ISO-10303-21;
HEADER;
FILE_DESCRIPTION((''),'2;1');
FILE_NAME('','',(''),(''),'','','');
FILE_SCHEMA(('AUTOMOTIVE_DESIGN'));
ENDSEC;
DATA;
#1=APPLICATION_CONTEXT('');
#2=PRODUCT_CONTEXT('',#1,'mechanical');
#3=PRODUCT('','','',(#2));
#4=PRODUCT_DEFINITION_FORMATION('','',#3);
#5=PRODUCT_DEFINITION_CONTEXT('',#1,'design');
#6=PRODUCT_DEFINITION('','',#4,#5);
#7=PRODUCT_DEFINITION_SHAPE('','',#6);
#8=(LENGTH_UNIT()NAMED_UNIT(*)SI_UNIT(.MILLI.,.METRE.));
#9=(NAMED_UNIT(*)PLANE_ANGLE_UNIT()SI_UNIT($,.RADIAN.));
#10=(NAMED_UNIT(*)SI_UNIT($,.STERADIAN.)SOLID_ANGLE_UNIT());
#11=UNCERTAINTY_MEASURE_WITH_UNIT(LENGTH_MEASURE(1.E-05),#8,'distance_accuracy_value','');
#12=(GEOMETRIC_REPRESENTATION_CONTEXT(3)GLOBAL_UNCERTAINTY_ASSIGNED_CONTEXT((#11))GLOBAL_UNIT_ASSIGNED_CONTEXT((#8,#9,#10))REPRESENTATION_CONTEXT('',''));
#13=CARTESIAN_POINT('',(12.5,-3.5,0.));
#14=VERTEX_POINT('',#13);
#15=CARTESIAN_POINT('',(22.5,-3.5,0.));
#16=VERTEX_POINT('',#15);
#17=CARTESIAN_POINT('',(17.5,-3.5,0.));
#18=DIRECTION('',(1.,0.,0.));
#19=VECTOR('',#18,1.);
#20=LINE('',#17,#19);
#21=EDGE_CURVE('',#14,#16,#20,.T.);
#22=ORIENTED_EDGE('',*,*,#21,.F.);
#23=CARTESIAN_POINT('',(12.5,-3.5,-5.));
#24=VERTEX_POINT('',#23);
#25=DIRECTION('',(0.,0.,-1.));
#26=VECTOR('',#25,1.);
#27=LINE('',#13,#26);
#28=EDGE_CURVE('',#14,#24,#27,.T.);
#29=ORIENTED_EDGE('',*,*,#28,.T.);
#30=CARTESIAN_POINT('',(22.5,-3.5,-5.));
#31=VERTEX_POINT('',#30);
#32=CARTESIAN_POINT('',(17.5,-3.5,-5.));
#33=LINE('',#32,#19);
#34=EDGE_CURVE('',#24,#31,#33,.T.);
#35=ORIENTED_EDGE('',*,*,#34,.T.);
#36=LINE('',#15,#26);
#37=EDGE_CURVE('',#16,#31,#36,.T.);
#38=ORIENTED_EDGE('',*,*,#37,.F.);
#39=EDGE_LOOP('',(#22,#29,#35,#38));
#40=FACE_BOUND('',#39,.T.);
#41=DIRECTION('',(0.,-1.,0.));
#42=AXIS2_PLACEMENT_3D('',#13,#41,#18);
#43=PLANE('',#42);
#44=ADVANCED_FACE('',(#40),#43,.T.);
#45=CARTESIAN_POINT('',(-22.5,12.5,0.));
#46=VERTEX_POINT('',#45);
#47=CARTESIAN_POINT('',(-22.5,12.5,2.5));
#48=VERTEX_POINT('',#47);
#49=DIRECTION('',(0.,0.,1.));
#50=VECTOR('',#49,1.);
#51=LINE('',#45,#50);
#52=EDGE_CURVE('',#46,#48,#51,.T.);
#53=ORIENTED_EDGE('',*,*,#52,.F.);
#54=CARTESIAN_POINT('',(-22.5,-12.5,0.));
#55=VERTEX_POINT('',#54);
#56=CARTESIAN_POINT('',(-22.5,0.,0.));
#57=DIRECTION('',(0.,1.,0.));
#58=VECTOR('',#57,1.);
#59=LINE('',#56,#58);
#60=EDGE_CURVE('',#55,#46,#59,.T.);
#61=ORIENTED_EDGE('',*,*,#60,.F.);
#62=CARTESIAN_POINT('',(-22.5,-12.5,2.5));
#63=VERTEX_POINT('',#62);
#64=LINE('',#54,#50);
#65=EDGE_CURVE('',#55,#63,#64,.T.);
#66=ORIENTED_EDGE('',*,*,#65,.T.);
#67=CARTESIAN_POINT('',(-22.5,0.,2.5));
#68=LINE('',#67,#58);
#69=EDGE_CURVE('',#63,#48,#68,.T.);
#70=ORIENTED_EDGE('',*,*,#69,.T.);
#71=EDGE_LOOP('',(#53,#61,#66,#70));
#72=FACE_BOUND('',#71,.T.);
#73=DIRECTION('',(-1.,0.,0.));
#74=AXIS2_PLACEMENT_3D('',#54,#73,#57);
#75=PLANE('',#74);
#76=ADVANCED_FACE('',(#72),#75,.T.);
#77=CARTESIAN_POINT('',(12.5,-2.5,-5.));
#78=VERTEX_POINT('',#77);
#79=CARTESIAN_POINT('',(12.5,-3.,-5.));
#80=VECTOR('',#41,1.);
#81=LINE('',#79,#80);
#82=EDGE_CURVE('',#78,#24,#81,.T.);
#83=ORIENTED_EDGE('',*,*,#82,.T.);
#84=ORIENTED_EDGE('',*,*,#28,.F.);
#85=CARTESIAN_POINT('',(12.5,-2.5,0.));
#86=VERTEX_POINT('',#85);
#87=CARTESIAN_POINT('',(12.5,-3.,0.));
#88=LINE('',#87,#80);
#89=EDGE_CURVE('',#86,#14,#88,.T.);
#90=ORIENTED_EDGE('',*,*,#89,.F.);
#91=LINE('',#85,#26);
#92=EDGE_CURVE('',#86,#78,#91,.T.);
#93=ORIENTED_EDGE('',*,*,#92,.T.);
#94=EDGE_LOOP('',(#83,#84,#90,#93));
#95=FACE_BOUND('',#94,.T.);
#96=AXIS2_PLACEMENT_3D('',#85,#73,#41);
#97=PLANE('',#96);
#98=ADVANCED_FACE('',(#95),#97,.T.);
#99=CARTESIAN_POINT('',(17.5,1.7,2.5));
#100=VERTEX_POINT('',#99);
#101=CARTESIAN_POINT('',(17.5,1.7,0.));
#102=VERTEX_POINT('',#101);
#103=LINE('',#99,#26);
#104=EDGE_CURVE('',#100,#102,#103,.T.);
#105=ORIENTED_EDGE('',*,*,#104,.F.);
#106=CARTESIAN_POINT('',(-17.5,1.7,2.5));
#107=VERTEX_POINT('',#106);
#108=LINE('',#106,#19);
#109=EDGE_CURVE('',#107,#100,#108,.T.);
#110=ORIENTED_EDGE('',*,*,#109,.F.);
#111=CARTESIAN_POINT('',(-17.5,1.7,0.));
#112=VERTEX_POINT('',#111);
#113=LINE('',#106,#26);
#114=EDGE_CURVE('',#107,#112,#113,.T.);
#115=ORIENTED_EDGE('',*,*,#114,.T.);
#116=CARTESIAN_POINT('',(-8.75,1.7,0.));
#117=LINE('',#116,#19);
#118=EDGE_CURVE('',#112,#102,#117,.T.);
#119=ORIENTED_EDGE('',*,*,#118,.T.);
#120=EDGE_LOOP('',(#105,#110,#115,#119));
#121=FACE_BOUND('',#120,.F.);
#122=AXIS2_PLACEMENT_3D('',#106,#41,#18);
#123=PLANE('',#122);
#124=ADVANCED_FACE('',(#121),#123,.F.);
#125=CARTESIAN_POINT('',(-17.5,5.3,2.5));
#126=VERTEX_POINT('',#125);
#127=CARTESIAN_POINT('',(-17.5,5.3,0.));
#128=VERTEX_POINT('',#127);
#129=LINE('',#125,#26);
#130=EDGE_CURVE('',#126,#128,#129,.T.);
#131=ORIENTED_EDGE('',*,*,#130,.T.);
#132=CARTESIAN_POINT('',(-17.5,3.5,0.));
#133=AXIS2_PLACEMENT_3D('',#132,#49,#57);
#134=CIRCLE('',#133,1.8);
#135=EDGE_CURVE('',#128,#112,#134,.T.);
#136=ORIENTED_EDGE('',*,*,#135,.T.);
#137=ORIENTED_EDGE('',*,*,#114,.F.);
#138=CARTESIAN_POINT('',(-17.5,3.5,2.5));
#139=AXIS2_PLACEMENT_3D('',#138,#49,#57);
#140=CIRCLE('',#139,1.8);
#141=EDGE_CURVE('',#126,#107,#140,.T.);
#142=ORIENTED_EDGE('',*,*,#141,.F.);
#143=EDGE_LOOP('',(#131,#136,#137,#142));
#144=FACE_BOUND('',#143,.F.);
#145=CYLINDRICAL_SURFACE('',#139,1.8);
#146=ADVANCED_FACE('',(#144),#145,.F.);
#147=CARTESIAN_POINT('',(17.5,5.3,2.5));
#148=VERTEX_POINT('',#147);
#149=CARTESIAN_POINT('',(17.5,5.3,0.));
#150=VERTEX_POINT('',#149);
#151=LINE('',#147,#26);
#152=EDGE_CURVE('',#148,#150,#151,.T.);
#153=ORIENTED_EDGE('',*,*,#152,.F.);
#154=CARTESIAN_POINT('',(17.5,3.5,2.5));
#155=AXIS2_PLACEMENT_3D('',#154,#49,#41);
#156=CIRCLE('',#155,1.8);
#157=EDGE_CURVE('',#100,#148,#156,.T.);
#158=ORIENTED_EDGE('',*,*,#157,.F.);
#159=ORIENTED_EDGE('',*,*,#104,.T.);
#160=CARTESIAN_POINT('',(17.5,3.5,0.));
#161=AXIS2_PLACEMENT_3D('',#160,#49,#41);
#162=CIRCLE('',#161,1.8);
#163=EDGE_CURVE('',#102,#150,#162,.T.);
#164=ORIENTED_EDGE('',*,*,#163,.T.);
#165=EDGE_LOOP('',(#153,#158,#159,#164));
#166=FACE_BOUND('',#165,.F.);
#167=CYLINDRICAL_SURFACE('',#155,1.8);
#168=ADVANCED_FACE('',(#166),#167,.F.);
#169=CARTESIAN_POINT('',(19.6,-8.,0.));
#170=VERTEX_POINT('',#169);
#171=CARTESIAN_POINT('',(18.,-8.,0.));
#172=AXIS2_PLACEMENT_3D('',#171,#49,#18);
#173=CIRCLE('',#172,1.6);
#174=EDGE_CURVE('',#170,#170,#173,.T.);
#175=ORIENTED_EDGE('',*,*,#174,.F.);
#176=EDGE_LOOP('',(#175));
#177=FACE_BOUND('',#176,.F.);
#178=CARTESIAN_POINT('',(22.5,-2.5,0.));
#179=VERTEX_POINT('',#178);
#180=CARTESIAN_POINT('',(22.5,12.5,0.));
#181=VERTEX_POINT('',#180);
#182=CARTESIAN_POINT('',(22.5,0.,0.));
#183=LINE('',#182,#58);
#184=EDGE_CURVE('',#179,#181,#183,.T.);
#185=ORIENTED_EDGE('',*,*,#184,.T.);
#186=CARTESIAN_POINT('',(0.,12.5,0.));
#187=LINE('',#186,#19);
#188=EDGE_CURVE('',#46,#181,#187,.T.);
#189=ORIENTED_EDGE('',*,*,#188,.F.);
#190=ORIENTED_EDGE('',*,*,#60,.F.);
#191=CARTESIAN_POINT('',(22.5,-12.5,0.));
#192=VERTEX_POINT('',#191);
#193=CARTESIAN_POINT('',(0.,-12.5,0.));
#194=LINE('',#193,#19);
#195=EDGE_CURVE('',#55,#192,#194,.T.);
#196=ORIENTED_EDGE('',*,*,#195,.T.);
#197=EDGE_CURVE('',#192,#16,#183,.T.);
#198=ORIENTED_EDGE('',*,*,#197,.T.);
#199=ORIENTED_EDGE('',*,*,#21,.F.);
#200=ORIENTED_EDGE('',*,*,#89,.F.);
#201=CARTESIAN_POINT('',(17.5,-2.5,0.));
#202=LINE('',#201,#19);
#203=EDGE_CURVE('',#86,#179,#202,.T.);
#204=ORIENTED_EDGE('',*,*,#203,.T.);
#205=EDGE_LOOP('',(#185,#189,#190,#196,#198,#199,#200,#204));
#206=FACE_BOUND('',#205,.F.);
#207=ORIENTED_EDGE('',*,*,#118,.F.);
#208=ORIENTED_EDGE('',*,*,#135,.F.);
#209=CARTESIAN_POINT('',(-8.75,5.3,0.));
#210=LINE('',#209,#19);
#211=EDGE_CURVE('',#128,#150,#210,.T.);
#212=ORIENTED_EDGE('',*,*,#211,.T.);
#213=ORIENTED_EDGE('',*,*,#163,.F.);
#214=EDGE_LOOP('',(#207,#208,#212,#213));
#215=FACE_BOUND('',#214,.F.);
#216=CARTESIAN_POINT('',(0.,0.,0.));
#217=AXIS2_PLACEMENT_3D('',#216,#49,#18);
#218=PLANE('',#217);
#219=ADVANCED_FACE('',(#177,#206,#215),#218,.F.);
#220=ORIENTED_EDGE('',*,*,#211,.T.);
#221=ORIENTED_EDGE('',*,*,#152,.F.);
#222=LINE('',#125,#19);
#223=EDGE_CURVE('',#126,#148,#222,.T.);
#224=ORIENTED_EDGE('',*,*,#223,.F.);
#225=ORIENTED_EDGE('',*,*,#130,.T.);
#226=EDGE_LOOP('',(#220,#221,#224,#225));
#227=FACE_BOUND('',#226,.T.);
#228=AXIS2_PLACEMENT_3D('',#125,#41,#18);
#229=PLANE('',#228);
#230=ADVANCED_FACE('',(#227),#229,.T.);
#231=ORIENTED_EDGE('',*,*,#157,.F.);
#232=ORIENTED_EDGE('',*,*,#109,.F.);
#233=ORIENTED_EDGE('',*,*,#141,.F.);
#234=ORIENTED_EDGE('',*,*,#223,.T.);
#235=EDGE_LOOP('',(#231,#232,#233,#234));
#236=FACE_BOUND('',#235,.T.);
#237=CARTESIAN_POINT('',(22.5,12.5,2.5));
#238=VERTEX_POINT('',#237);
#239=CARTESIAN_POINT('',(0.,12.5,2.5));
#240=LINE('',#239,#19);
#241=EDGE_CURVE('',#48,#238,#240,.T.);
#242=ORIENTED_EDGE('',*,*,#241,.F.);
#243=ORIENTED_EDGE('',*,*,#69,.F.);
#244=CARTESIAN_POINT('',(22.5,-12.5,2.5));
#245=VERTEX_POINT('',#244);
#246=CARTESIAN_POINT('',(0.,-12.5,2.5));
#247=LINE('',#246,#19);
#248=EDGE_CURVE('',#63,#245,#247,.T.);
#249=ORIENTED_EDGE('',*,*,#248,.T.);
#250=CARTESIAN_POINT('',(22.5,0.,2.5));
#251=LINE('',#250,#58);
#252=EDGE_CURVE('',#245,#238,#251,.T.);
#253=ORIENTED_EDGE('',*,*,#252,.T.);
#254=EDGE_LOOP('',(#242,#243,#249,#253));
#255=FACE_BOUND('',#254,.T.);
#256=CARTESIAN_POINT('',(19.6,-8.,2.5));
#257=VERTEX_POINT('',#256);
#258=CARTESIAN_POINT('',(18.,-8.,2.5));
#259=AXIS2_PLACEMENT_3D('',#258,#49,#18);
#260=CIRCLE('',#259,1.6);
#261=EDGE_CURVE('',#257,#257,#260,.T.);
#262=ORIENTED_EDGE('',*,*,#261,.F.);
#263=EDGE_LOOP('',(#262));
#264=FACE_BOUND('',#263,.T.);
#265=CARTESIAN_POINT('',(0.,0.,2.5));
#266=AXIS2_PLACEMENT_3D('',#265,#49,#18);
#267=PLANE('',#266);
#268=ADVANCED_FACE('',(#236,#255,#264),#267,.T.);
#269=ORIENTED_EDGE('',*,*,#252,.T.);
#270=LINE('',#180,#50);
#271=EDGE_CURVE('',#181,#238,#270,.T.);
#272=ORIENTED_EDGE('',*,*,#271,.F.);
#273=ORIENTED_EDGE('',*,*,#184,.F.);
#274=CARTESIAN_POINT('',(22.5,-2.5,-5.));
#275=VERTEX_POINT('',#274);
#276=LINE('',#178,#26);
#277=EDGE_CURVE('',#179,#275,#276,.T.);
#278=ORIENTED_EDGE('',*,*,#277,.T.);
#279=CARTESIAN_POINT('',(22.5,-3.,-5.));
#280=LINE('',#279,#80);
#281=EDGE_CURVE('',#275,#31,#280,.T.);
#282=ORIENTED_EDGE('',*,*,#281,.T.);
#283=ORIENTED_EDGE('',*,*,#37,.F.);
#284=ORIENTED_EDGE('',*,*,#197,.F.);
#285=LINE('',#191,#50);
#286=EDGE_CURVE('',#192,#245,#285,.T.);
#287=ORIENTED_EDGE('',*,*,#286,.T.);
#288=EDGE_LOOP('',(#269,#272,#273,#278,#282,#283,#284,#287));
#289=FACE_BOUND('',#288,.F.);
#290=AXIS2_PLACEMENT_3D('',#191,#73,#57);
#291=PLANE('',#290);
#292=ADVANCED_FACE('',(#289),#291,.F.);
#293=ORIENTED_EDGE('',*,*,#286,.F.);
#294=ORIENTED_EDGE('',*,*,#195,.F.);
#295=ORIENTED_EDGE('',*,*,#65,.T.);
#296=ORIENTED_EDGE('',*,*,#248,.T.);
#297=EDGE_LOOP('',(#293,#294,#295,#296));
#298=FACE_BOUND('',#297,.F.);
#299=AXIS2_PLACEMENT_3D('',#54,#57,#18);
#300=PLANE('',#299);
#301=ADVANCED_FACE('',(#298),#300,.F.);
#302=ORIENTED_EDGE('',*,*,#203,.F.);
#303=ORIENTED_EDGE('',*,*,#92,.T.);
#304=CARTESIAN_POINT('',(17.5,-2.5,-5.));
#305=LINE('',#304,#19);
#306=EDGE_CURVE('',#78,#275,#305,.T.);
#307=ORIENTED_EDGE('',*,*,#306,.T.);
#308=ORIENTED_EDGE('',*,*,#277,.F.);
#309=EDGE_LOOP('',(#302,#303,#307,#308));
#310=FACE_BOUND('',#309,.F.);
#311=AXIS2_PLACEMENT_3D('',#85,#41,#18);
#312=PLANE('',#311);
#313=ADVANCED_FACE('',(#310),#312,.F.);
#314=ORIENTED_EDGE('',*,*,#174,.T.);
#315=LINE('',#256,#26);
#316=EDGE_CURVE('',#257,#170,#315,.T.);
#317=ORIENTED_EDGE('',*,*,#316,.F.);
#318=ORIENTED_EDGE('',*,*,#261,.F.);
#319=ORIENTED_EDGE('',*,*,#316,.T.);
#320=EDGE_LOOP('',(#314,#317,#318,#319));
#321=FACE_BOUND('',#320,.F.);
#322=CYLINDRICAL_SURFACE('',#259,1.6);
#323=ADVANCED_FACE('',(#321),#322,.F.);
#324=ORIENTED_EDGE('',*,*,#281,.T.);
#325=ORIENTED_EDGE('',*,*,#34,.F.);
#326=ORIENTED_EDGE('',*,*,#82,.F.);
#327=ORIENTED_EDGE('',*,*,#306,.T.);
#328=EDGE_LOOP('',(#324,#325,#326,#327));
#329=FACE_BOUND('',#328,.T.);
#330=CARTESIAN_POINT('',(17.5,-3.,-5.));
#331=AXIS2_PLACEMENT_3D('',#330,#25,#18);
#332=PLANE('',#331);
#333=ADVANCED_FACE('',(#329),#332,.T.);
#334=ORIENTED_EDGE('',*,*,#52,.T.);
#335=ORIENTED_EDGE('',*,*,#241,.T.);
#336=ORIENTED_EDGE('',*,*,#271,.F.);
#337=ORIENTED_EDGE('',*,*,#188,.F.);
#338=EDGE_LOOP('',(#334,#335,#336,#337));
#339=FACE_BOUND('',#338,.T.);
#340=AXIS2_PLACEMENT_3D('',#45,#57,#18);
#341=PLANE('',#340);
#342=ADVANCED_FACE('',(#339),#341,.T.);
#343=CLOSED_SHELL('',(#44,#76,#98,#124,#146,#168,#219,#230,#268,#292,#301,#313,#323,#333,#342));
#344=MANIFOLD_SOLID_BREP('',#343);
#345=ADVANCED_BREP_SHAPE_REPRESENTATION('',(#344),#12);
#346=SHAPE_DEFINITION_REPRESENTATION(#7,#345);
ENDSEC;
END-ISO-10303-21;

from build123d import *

# Parameters (mm, degrees)
SKETCH_W     = 45
SKETCH_H     = 25
PAD_DEPTH    = 2.5
SKETCH001_R  = 1.6
POCKET_DEPTH = 5
SKETCH002_W  = 10
SKETCH002_H  = 1
PAD001_DEPTH = 5


with BuildPart() as part:
    # Sketch → Pad (new body)
    with BuildSketch(Plane.XY):
        Rectangle(SKETCH_W, SKETCH_H)
    extrude(amount=PAD_DEPTH)

    # Sketch001 → Pocket (cut)
    with BuildSketch(Plane.XY.offset(2.5)):
        with Locations((18, -8)):
            Circle(SKETCH001_R)
        with BuildLine():
            ThreePointArc((-17.5, 5.3), (-19.3, 3.5), (-17.5, 1.7))
            Line((-17.5, 1.7), (17.5, 1.7))
            ThreePointArc((17.5, 1.7), (19.3, 3.5), (17.5, 5.3))
            Line((-17.5, 5.3), (17.5, 5.3))
        make_face()
    extrude(amount=-POCKET_DEPTH, mode=Mode.SUBTRACT)

    # Sketch002 → Pad001 (new body)
    with BuildSketch(Plane(origin=(0, 0, 0), x_dir=(1, 0, 0), z_dir=(0, 0, -1))):
        with Locations((17.5, 3)):
            Rectangle(SKETCH002_W, SKETCH002_H)
    extrude(amount=PAD001_DEPTH)


solid = part.part
